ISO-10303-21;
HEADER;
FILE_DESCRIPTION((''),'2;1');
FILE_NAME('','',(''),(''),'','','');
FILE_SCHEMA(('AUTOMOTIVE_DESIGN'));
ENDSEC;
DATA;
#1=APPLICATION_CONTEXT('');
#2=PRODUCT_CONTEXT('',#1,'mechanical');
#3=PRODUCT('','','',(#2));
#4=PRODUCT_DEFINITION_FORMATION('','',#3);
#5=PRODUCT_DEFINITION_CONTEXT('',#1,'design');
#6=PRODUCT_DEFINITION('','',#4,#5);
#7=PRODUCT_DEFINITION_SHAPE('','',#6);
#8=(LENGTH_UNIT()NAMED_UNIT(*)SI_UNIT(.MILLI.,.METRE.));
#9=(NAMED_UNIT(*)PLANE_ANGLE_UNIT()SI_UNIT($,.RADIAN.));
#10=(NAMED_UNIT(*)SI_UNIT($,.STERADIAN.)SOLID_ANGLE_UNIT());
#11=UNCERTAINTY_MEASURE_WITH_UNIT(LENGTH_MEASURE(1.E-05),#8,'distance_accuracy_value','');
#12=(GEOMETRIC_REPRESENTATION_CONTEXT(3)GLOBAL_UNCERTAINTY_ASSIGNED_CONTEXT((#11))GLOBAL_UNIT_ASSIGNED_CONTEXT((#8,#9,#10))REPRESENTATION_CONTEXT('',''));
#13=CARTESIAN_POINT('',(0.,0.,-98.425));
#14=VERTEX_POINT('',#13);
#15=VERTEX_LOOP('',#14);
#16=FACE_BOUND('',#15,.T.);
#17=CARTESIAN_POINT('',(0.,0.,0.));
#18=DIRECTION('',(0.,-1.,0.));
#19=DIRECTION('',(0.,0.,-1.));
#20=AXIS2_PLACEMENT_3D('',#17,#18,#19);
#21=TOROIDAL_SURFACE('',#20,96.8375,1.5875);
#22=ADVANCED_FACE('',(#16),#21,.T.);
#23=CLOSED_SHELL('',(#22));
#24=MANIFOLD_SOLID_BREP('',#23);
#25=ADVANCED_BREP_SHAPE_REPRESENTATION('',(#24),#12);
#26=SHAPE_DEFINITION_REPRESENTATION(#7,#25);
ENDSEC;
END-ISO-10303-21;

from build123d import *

# Parameters (mm, degrees)
SKETCH1_R = 1.5875


with BuildPart() as part:
    # Sketch1 → Revolve2 (revolve)
    with BuildSketch(Plane.XY, mode=Mode.PRIVATE) as revolve2_sk:
        with Locations((-96.8375, 0)):
            Circle(SKETCH1_R)
    revolve(revolve2_sk.sketch.rotate(Axis((0, 0, 0), (0, 1, 0)), 270), axis=Axis((0, 0, 0), (0, 1, 0)))


solid = part.part
